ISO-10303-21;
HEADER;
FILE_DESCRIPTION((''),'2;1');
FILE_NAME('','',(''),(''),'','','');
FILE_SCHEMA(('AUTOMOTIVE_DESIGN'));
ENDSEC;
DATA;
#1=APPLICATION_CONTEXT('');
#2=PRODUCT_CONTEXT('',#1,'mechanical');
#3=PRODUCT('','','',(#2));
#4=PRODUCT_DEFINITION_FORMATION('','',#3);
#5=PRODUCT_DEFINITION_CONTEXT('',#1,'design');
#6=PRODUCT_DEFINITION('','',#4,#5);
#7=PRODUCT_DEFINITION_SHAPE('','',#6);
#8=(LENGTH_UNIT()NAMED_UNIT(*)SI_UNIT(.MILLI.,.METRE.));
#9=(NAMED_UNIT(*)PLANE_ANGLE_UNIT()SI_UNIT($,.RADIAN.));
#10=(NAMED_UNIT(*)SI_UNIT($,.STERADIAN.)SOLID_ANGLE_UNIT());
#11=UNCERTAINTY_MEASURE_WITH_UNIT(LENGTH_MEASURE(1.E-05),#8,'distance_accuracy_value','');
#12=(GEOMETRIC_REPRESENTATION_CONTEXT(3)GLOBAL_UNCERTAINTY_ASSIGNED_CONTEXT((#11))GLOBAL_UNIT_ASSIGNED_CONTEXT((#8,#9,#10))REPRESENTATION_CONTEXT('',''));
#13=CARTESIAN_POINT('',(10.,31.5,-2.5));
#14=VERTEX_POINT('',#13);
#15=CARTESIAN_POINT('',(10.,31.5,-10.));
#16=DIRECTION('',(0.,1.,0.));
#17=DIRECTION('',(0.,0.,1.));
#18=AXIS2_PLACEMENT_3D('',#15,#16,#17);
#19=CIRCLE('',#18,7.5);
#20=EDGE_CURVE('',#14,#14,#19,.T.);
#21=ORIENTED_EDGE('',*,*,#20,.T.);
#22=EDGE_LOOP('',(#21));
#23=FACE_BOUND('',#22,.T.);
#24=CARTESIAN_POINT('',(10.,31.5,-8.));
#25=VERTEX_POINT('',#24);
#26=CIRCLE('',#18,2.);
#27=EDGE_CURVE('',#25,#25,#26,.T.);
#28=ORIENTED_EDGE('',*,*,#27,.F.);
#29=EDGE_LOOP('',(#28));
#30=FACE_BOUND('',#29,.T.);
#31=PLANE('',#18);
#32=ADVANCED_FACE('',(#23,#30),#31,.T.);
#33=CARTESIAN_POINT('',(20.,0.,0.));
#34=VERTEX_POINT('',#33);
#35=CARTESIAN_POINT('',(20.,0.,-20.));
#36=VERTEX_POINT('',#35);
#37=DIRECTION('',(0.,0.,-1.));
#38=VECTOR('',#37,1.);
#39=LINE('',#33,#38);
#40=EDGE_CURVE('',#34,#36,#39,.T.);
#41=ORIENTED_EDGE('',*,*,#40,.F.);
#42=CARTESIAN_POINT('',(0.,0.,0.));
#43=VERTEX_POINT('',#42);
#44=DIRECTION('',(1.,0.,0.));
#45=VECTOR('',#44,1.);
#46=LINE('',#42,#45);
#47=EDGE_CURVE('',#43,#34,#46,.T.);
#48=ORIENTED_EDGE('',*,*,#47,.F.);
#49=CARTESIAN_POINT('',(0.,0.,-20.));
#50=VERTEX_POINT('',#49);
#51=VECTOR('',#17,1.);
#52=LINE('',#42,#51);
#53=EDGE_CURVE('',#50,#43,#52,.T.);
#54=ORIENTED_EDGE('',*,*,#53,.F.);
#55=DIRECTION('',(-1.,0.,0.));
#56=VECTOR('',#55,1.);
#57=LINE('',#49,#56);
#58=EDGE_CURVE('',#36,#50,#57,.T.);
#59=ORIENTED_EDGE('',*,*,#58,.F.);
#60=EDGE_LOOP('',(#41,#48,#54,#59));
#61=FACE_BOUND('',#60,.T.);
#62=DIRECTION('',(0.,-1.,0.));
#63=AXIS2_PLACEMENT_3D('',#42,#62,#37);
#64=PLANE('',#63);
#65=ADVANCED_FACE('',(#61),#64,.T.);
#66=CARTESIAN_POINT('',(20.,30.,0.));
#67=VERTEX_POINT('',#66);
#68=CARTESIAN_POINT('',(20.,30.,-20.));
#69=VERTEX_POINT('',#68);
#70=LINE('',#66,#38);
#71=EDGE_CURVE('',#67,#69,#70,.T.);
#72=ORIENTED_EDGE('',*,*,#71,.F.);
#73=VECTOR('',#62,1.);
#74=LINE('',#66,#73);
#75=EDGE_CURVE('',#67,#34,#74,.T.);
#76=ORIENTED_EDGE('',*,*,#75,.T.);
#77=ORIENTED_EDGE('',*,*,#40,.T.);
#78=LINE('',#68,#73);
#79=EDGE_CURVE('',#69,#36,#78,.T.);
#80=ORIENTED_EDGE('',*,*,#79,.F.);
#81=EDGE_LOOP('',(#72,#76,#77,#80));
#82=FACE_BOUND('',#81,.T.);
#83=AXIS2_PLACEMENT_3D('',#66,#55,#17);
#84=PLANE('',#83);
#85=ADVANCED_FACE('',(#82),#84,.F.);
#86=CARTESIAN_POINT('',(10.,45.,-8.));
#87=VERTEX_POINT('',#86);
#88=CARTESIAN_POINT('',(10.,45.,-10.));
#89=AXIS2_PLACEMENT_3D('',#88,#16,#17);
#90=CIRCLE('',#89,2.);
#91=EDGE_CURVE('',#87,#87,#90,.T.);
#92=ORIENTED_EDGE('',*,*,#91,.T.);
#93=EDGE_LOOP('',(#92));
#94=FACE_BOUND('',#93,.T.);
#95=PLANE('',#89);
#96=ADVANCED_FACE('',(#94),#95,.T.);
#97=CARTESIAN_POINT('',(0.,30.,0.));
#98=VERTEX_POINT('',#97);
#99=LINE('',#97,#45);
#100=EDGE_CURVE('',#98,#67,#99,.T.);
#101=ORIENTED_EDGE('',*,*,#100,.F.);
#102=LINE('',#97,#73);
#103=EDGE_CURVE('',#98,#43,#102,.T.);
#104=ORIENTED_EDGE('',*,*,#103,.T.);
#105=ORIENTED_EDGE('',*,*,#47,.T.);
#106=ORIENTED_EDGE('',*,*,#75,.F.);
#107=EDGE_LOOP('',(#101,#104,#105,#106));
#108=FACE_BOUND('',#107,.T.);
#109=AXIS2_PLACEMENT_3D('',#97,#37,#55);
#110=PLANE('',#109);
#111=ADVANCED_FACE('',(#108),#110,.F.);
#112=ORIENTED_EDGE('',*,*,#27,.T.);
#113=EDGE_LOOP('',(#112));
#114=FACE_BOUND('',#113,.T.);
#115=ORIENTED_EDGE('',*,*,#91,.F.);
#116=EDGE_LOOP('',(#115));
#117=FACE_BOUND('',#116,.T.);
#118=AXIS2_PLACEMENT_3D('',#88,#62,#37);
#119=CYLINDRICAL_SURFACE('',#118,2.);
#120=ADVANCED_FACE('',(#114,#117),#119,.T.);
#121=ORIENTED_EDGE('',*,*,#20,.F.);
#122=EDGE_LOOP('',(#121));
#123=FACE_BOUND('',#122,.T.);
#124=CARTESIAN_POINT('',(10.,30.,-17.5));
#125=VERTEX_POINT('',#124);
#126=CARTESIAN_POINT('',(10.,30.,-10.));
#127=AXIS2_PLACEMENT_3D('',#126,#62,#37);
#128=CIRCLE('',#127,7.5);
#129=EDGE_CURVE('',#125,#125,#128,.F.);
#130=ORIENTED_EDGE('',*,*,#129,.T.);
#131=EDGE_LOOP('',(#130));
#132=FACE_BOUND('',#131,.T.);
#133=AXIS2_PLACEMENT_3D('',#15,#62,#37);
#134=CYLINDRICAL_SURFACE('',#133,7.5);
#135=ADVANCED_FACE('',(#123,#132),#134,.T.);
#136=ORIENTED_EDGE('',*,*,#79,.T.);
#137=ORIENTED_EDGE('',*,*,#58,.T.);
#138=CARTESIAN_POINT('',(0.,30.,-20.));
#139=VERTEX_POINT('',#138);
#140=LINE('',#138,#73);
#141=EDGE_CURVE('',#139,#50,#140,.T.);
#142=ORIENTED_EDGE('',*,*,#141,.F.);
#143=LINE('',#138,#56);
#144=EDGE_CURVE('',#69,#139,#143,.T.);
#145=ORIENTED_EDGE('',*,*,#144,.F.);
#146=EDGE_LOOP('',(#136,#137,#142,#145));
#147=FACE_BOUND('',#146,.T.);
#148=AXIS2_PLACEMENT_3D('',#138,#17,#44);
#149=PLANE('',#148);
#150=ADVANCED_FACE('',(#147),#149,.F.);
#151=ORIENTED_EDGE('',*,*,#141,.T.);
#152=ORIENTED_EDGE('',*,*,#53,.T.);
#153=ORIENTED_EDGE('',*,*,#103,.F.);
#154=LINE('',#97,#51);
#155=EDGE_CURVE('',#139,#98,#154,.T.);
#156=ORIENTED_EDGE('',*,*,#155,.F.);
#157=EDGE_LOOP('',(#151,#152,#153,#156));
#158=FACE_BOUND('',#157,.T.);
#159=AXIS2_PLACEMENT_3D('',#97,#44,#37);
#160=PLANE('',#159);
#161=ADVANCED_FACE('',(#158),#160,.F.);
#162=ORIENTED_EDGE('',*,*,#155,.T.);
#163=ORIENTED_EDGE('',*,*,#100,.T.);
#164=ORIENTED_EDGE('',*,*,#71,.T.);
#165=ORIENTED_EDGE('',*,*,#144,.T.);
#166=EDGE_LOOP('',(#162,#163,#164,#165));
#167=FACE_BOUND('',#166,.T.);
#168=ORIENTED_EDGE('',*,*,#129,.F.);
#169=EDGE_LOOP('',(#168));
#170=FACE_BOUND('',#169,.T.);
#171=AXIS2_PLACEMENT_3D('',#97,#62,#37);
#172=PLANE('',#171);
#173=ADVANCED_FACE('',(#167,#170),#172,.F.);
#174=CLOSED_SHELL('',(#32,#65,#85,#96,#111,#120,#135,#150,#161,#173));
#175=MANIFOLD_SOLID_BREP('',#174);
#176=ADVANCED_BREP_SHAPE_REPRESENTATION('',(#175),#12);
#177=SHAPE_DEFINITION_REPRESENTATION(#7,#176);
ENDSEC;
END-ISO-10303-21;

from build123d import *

# Parameters (mm, degrees)
SKETCH1_W           = 20
SKETCH1_H           = 20
BOSS_EXTRUDE1_DEPTH = 30
SKETCH2_R           = 7.5
BOSS_EXTRUDE2_DEPTH = 1.5
SKETCH3_R           = 2
BOSS_EXTRUDE4_DEPTH = 13.5


with BuildPart() as part:
    # Sketch1 → Boss-Extrude1 (new body)
    with BuildSketch(Plane(origin=(0, 0, 0), x_dir=(1, 0, 0), z_dir=(0, 1, 0))):
        with Locations((10, 10)):
            Rectangle(SKETCH1_W, SKETCH1_H)
    extrude(amount=BOSS_EXTRUDE1_DEPTH)

    # Sketch2 → Boss-Extrude2 (add)
    with BuildSketch(Plane(origin=(0, 30, 0), x_dir=(1, 0, 0), z_dir=(0, 1, 0))):
        with Locations(Location((10, 10, 0), (0, 0, 90))):
            Circle(SKETCH2_R)
    extrude(amount=BOSS_EXTRUDE2_DEPTH)

    # Sketch3 → Boss-Extrude4 (add)
    with BuildSketch(Plane(origin=(0, 31.5, 0), x_dir=(1, 0, 0), z_dir=(0, 1, 0))):
        with Locations(Location((10, 10, 0), (0, 0, 270))):
            Circle(SKETCH3_R)
    extrude(amount=BOSS_EXTRUDE4_DEPTH)


solid = part.part
